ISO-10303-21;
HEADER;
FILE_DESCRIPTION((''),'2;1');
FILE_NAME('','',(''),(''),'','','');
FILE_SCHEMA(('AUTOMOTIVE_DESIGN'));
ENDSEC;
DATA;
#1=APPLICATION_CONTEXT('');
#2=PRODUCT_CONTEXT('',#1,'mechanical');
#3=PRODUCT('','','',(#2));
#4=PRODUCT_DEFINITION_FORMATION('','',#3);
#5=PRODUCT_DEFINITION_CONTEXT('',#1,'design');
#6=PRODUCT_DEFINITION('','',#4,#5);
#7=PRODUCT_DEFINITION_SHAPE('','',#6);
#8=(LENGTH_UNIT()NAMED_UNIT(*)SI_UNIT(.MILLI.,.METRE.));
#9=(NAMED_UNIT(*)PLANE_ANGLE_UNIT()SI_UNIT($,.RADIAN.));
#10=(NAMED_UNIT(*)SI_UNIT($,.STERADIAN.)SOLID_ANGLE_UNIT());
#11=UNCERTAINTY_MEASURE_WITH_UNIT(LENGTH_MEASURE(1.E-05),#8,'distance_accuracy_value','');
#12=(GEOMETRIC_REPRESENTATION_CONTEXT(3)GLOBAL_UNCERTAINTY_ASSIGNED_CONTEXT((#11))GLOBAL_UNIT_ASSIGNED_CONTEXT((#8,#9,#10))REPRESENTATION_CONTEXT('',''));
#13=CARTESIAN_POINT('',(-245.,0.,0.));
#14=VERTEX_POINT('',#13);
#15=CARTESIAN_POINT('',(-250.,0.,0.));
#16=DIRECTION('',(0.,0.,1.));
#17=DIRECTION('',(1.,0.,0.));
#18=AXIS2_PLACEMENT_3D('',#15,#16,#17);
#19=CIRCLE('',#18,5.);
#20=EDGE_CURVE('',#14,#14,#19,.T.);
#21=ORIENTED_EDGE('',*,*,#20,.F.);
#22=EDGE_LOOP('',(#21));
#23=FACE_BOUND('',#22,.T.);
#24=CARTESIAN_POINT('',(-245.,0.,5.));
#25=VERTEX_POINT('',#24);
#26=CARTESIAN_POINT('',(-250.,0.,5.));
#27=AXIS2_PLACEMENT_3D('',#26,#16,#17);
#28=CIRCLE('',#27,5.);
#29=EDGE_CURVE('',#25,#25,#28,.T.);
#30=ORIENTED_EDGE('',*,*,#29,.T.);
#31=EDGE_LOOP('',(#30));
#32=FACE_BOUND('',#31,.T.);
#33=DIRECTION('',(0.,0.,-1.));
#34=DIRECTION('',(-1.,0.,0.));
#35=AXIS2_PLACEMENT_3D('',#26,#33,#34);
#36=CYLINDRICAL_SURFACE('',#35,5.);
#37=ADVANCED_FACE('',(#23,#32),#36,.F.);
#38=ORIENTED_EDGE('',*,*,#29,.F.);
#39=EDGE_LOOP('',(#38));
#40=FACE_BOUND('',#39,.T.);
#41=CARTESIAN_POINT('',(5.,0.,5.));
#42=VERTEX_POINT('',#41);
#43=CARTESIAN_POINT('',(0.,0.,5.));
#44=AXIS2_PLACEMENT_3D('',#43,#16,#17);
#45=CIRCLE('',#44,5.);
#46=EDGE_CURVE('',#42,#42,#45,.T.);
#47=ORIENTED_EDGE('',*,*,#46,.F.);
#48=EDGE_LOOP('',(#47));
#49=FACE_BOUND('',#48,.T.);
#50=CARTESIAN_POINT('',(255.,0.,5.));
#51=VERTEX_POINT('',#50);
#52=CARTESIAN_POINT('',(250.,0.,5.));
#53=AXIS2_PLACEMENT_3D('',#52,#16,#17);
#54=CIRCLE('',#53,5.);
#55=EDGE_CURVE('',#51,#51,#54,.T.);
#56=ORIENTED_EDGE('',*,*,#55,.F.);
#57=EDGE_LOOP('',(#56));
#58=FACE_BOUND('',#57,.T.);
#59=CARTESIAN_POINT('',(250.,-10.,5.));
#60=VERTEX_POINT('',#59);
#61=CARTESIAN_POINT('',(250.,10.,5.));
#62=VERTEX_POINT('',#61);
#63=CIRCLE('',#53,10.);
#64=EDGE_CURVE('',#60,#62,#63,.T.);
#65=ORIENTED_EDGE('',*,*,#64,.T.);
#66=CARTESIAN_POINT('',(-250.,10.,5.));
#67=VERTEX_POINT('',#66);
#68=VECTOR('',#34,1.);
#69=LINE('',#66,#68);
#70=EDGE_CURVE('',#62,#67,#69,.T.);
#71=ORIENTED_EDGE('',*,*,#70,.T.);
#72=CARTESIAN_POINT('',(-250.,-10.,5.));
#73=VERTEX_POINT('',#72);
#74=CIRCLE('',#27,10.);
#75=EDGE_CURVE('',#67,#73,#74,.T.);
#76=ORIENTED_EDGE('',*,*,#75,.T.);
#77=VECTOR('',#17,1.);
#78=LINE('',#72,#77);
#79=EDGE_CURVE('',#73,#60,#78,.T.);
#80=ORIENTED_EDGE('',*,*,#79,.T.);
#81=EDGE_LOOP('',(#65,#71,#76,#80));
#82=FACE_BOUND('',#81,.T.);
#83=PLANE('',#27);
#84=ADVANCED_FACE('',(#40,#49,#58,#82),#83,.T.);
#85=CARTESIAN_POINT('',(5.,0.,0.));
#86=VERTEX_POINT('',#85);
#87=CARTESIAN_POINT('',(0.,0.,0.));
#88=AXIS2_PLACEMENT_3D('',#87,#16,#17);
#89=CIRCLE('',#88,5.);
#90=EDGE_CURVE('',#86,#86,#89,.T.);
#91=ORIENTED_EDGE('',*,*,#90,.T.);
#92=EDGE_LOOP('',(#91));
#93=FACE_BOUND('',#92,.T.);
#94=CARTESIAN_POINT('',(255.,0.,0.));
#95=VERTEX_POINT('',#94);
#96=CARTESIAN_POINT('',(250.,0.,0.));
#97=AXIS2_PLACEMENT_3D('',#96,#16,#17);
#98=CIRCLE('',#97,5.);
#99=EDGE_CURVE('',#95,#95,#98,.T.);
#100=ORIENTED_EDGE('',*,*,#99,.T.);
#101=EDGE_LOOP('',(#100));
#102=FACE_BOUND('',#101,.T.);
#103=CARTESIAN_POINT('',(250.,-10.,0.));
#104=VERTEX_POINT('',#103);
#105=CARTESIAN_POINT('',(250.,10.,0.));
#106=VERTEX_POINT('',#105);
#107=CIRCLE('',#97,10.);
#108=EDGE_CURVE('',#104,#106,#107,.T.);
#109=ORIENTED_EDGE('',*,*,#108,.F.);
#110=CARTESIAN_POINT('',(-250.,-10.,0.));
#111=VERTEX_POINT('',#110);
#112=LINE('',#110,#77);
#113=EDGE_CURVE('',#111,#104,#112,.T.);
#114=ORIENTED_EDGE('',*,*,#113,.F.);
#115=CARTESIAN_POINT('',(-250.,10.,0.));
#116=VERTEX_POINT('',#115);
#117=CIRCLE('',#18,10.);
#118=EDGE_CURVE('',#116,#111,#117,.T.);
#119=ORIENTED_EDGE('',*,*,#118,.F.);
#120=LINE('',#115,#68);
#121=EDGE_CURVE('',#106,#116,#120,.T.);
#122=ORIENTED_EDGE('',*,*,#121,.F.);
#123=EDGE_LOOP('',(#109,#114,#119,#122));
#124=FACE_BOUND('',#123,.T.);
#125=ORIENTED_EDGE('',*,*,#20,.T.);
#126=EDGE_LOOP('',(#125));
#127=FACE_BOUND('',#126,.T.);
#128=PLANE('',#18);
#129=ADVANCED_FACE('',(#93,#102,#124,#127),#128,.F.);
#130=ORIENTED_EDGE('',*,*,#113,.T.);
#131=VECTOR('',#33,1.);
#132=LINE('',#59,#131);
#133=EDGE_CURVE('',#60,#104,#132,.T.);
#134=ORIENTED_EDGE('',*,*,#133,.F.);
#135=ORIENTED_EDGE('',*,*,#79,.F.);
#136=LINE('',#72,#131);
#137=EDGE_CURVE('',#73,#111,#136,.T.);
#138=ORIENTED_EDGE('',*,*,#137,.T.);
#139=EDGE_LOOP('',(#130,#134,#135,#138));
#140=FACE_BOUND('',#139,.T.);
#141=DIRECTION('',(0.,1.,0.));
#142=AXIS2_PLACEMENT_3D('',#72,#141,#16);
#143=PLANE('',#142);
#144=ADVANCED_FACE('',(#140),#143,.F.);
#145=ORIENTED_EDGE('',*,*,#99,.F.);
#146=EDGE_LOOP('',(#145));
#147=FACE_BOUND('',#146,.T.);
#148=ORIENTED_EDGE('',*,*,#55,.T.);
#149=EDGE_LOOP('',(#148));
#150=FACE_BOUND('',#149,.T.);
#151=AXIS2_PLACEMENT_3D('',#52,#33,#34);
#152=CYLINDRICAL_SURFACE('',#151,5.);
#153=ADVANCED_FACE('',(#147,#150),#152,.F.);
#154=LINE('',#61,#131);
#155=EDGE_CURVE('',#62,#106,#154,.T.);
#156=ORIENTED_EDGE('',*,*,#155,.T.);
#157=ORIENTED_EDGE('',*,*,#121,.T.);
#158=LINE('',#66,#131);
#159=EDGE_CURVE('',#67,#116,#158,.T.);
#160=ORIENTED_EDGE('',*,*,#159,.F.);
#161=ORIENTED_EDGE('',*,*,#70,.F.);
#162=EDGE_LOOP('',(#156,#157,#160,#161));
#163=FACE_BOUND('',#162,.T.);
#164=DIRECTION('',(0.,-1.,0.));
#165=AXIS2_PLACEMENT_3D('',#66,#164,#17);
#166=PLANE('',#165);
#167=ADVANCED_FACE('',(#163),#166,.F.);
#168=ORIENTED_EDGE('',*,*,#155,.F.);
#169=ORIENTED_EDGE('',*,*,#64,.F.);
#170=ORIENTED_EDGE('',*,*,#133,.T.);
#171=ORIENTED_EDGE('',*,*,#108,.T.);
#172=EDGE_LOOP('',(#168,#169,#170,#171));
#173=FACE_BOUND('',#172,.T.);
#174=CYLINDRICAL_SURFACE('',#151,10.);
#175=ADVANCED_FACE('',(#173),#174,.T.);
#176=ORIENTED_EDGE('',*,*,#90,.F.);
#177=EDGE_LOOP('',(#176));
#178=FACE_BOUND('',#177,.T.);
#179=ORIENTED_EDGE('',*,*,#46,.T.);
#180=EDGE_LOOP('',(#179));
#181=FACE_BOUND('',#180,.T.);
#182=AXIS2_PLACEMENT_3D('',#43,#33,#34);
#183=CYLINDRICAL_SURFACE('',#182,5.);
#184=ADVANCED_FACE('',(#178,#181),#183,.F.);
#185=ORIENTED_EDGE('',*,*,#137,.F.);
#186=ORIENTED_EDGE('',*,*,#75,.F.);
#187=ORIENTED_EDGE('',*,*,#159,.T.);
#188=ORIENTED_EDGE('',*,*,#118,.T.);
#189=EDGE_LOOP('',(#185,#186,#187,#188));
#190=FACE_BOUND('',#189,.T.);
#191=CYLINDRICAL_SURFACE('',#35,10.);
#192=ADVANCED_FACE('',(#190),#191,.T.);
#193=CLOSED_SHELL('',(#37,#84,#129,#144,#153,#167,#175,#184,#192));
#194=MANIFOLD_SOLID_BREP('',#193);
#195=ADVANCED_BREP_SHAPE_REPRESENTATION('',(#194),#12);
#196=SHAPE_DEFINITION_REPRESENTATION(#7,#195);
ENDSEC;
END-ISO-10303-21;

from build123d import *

# Parameters (mm, degrees)
SKETCH1_R           = 5
BOSS_EXTRUDE1_DEPTH = 5


with BuildPart() as part:
    # Sketch1 → Boss-Extrude1 (new body)
    with BuildSketch(Plane.XY):
        with BuildLine():
            Line((-250, 10), (250, 10))
            ThreePointArc((250, 10), (260, 0), (250, -10))
            Line((250, -10), (-250, -10))
            ThreePointArc((-250, -10), (-260, 0), (-250, 10))
        make_face()
        with Locations((-250, 0)):
            Circle(SKETCH1_R, mode=Mode.SUBTRACT)
        with Locations((250, 0)):
            Circle(SKETCH1_R, mode=Mode.SUBTRACT)
        Circle(SKETCH1_R, mode=Mode.SUBTRACT)
    extrude(amount=BOSS_EXTRUDE1_DEPTH)


solid = part.part
